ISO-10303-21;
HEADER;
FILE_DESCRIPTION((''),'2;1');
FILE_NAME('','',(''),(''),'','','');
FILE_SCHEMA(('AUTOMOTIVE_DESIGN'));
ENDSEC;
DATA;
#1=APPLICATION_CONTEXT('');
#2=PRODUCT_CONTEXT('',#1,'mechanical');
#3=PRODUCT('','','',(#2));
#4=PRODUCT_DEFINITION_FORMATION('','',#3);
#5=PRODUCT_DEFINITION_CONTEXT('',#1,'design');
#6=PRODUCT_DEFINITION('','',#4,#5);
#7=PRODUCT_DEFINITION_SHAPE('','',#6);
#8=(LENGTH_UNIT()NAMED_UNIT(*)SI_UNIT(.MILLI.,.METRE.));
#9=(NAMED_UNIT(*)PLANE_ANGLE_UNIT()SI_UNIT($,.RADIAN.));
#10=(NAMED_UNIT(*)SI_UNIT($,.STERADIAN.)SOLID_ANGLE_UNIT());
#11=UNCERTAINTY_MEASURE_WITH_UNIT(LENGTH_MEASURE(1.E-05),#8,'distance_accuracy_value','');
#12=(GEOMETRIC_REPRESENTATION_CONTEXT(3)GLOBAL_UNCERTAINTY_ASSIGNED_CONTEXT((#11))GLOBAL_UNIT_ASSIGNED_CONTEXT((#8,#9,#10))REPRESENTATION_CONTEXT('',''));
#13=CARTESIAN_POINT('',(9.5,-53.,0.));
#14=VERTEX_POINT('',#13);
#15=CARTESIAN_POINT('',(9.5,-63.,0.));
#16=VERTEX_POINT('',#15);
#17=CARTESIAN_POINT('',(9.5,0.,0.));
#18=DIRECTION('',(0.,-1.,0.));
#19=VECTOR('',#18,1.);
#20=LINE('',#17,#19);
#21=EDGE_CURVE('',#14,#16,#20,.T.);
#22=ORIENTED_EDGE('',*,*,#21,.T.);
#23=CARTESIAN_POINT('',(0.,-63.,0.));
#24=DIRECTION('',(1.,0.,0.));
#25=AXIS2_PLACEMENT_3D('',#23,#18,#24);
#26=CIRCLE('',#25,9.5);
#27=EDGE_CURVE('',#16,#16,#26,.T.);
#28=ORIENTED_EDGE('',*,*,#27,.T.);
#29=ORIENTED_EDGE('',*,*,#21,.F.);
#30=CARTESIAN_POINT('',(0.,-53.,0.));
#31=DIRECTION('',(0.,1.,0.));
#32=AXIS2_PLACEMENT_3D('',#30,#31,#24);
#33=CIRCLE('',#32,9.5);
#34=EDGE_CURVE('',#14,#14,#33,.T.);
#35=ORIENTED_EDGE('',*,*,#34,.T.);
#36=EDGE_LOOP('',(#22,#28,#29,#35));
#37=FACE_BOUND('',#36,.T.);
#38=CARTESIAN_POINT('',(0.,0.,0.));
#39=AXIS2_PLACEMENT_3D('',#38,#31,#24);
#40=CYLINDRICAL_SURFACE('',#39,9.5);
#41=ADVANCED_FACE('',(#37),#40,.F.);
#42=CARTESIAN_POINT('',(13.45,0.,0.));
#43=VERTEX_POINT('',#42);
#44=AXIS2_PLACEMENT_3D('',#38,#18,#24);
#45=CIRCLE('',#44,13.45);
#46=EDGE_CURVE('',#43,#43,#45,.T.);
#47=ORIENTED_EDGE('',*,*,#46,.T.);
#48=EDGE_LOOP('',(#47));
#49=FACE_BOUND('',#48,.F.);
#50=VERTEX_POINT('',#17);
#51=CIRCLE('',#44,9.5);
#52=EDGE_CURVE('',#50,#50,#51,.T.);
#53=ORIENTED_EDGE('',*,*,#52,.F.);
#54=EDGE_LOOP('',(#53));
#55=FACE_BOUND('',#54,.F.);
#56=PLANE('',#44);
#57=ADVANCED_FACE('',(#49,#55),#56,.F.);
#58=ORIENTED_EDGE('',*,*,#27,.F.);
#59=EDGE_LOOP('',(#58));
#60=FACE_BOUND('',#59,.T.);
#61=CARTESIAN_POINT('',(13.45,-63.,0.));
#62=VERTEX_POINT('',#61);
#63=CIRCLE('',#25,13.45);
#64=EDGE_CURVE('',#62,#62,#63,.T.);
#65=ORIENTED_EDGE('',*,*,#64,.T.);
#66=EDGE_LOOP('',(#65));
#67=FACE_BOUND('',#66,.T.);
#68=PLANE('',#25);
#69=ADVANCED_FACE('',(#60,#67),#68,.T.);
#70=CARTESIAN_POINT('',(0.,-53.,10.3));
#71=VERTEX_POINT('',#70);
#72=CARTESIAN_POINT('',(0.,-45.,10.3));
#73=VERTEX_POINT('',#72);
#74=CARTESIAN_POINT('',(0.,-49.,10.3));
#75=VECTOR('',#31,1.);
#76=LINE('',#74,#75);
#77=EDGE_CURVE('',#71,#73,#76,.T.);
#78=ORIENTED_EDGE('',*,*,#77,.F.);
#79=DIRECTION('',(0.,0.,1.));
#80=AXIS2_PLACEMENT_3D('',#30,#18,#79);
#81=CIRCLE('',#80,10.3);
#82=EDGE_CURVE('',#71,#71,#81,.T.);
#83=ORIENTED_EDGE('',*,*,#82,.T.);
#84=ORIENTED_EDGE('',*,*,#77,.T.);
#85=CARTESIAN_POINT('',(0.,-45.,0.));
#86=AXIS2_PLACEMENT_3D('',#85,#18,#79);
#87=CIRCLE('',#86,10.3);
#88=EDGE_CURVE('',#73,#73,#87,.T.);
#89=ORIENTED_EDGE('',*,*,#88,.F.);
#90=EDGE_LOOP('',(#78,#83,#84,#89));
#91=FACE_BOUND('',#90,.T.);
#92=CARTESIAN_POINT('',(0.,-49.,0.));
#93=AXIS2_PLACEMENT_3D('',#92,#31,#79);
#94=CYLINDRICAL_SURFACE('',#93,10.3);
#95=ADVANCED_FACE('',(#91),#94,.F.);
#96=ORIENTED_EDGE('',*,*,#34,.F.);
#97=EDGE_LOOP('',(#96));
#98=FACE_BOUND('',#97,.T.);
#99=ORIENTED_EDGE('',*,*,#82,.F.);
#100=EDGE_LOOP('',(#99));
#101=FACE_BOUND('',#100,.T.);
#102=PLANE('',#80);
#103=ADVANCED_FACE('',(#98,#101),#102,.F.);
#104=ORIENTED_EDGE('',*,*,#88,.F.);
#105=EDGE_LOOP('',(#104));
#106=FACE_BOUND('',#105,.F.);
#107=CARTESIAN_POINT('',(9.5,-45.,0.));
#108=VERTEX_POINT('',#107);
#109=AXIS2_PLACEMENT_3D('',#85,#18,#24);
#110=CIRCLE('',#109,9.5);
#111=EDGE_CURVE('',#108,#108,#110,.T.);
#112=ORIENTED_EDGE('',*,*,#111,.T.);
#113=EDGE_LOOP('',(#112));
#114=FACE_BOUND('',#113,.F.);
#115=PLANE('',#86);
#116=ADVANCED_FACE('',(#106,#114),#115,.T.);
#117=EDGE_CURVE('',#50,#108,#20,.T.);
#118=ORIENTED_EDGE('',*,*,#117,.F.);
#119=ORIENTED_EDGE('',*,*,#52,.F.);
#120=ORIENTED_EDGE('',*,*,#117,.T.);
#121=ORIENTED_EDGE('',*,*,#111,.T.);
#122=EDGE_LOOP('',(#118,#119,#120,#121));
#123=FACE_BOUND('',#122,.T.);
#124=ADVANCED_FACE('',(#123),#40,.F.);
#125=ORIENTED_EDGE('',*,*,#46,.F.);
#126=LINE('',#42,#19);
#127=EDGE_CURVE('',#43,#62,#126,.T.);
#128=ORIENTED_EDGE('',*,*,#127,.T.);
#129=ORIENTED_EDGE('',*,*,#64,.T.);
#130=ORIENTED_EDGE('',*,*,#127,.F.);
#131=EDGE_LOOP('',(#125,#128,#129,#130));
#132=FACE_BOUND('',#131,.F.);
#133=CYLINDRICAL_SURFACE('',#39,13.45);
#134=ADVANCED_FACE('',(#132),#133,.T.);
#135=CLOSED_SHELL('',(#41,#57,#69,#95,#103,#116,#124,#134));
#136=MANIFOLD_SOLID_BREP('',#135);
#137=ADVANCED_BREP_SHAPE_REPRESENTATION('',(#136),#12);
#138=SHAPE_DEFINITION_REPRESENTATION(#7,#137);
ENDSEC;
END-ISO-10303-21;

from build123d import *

# Parameters (mm, degrees)
F0_R     = 13.45
F0_R_2   = 9.5
F1_DEPTH = 63
F2_W     = 8
F2_H     = 0.8


with BuildPart() as f1:
    # F0 (on Front) → F1 (new body)
    with BuildSketch(Plane.XZ):
        Circle(F0_R)
        Circle(F0_R_2, mode=Mode.SUBTRACT)
    extrude(amount=F1_DEPTH)

    # F2 (on Right) → F3 (revolve, cut)
    with BuildSketch(Plane.YZ):
        with Locations((-49, 9.9)):
            Rectangle(F2_W, F2_H)
    revolve(axis=Axis((0, -31.5, 0), (0, -1, 0)), mode=Mode.SUBTRACT)


solid = f1.part
